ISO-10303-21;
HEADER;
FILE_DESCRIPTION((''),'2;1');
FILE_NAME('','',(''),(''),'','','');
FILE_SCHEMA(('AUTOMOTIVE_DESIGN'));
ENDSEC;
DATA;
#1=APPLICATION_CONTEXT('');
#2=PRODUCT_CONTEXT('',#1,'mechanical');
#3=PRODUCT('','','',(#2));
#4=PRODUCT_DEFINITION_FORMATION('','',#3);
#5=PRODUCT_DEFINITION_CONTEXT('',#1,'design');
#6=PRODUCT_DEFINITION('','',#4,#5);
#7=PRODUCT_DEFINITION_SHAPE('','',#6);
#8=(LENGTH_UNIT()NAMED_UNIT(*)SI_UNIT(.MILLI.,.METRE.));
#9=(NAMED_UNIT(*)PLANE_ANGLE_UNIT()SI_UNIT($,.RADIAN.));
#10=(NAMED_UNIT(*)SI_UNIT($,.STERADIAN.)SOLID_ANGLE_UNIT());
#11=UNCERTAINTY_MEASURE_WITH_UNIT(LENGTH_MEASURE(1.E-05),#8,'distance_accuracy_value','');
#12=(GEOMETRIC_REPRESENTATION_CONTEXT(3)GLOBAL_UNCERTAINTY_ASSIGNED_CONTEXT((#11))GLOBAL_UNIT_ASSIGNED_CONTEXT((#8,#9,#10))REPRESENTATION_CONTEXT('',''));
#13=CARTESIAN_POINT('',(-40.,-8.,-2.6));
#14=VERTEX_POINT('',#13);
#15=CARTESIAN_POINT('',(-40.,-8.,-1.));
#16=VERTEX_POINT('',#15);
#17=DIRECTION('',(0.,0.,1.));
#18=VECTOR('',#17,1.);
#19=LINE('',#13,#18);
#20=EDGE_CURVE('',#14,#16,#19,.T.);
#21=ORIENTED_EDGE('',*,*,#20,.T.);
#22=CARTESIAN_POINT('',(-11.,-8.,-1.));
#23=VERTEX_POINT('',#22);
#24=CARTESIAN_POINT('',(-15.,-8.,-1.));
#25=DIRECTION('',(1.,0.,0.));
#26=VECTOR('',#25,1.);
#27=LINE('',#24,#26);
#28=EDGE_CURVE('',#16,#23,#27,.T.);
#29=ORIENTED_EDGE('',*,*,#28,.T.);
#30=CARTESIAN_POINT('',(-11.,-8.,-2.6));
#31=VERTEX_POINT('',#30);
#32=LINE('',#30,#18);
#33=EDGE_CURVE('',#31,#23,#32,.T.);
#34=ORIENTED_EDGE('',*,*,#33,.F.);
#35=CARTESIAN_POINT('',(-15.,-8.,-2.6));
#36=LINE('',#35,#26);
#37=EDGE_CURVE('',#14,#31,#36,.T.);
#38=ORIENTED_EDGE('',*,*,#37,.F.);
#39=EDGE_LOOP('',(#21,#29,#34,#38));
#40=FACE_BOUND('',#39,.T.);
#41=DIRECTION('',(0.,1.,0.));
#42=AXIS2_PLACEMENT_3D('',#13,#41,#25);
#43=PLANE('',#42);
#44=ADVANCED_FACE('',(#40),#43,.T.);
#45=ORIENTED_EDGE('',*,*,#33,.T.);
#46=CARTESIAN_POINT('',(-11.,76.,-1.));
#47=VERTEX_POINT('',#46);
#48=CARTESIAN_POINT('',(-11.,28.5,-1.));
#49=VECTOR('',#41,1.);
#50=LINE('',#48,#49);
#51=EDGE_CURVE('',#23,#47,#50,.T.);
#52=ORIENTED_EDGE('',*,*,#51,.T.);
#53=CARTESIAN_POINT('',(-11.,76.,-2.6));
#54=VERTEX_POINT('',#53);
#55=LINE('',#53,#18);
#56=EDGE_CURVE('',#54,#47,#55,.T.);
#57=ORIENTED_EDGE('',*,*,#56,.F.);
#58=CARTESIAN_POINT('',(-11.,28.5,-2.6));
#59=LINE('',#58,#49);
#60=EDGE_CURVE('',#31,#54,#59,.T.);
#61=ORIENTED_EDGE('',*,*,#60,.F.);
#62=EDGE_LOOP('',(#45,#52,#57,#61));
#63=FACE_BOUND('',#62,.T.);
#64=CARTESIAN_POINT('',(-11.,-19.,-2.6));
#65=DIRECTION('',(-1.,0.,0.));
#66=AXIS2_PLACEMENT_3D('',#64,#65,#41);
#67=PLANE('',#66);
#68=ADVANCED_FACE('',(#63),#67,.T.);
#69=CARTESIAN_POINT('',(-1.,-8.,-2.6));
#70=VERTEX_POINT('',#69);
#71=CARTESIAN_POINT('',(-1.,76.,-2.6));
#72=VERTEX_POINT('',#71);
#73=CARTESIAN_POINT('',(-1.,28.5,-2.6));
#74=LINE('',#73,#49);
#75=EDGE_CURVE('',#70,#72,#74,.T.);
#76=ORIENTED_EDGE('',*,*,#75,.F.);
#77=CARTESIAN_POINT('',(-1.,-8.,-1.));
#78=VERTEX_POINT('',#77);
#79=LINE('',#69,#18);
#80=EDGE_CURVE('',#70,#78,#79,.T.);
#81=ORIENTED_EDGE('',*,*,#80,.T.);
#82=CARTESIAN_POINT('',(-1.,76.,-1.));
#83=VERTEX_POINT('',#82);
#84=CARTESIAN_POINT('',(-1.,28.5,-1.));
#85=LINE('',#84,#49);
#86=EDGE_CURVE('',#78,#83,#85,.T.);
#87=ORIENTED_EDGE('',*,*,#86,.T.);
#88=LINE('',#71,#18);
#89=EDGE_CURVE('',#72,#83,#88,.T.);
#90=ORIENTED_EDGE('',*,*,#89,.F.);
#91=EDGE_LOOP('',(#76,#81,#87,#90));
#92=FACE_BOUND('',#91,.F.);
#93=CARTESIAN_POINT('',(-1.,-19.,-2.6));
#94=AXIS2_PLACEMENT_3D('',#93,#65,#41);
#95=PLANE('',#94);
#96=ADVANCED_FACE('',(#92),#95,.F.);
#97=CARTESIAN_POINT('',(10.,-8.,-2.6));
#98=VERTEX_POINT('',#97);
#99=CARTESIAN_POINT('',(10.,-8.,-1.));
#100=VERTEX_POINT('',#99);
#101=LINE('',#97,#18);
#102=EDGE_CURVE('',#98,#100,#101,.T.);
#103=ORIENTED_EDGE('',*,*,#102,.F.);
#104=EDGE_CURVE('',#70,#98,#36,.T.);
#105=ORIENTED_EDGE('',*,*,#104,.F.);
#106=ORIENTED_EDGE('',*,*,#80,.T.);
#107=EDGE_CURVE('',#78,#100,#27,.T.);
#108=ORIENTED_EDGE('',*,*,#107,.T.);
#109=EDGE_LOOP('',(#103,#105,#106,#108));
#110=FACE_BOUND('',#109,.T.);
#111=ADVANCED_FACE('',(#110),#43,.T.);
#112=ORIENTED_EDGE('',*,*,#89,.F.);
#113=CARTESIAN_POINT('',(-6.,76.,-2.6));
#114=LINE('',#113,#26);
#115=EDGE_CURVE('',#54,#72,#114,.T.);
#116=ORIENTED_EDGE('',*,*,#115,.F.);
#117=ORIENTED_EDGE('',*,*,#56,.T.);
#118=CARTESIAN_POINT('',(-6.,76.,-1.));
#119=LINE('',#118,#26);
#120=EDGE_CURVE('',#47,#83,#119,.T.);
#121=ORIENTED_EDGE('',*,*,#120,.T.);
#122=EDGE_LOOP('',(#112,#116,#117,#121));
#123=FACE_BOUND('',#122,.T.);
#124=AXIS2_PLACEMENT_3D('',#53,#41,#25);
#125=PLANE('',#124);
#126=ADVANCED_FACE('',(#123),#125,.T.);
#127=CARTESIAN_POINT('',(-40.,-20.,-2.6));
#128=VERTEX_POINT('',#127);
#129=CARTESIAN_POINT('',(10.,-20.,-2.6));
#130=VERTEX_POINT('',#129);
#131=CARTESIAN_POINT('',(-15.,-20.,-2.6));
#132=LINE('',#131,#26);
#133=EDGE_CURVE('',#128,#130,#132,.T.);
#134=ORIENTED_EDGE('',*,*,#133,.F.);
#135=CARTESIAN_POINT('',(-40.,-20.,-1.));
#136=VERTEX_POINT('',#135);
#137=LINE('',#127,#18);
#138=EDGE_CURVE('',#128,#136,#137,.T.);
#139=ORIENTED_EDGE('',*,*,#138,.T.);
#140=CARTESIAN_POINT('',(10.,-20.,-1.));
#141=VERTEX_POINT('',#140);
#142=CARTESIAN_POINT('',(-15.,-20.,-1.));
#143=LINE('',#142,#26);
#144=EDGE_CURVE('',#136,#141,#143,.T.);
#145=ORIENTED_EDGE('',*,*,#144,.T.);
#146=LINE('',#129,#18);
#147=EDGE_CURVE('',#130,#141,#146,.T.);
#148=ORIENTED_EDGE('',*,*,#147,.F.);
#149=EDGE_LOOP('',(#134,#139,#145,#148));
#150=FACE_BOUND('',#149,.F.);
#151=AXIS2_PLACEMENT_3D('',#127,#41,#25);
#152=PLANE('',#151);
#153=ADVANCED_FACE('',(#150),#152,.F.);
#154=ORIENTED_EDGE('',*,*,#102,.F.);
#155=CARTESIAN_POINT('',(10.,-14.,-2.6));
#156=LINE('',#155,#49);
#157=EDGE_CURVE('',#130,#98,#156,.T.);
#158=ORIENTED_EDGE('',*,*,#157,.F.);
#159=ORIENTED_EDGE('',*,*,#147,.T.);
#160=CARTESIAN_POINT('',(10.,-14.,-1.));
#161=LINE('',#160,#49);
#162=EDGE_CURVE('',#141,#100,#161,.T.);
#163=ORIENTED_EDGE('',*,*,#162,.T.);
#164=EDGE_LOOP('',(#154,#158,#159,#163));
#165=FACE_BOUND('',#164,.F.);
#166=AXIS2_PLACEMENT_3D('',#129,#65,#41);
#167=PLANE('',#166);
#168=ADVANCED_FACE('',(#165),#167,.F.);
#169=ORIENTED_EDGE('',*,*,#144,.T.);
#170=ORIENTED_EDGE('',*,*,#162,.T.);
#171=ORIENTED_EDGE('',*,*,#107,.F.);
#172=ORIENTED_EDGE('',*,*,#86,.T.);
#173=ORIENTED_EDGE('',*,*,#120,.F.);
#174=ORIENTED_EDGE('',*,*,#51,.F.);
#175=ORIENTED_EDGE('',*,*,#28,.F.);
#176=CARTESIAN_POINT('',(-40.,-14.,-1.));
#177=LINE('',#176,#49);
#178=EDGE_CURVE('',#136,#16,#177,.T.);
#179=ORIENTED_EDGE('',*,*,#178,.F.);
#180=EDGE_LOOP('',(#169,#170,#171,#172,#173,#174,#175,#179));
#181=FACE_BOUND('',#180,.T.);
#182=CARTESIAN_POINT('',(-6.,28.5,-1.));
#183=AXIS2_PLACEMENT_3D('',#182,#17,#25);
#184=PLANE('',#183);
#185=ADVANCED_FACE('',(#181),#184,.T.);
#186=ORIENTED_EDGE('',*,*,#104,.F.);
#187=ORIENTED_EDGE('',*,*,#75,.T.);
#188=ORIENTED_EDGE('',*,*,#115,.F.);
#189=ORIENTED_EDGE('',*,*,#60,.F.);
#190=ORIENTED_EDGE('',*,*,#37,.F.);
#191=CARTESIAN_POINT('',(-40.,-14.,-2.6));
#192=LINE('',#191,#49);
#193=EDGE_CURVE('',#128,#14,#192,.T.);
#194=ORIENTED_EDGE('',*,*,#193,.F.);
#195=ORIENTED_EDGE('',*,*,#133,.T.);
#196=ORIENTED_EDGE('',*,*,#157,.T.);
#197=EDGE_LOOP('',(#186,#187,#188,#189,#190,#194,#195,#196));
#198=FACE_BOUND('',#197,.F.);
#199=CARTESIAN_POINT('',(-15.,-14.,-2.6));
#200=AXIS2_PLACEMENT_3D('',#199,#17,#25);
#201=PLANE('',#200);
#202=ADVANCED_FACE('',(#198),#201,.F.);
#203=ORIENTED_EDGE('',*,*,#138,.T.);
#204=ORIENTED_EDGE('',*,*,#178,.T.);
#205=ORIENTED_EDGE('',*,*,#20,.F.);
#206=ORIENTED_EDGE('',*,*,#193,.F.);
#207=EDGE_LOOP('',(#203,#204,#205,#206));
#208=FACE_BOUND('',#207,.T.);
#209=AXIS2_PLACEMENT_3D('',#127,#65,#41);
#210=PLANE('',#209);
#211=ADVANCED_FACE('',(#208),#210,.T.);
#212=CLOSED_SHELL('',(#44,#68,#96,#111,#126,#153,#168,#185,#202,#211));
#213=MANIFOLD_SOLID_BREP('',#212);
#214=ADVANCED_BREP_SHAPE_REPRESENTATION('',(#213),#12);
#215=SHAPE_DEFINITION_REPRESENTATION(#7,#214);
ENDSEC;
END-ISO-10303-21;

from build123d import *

# Parameters (mm, degrees)
BOX008_W     = 10
BOX008_H     = 95
BOX008_DEPTH = 1.6
BOX011_W     = 50
BOX011_H     = 12
BOX011_DEPTH = 1.6


with BuildPart() as box008:
    # Box008 → Box008 (new body)
    with BuildSketch(Plane(origin=(-11, -19, -2.6), x_dir=(1, 0, 0), z_dir=(0, 0, 1))):
        with Locations((5, 47.5)):
            Rectangle(BOX008_W, BOX008_H)
    extrude(amount=BOX008_DEPTH)


with BuildPart() as pcb001:
    # Box011 → Box011 (new body)
    with BuildSketch(Plane(origin=(-40, -20, -2.6), x_dir=(1, 0, 0), z_dir=(0, 0, 1))):
        with Locations((25, 6)):
            Rectangle(BOX011_W, BOX011_H)
    extrude(amount=BOX011_DEPTH)

    # Fusion002004: union Box008
    add(box008.part)


solid = pcb001.part
